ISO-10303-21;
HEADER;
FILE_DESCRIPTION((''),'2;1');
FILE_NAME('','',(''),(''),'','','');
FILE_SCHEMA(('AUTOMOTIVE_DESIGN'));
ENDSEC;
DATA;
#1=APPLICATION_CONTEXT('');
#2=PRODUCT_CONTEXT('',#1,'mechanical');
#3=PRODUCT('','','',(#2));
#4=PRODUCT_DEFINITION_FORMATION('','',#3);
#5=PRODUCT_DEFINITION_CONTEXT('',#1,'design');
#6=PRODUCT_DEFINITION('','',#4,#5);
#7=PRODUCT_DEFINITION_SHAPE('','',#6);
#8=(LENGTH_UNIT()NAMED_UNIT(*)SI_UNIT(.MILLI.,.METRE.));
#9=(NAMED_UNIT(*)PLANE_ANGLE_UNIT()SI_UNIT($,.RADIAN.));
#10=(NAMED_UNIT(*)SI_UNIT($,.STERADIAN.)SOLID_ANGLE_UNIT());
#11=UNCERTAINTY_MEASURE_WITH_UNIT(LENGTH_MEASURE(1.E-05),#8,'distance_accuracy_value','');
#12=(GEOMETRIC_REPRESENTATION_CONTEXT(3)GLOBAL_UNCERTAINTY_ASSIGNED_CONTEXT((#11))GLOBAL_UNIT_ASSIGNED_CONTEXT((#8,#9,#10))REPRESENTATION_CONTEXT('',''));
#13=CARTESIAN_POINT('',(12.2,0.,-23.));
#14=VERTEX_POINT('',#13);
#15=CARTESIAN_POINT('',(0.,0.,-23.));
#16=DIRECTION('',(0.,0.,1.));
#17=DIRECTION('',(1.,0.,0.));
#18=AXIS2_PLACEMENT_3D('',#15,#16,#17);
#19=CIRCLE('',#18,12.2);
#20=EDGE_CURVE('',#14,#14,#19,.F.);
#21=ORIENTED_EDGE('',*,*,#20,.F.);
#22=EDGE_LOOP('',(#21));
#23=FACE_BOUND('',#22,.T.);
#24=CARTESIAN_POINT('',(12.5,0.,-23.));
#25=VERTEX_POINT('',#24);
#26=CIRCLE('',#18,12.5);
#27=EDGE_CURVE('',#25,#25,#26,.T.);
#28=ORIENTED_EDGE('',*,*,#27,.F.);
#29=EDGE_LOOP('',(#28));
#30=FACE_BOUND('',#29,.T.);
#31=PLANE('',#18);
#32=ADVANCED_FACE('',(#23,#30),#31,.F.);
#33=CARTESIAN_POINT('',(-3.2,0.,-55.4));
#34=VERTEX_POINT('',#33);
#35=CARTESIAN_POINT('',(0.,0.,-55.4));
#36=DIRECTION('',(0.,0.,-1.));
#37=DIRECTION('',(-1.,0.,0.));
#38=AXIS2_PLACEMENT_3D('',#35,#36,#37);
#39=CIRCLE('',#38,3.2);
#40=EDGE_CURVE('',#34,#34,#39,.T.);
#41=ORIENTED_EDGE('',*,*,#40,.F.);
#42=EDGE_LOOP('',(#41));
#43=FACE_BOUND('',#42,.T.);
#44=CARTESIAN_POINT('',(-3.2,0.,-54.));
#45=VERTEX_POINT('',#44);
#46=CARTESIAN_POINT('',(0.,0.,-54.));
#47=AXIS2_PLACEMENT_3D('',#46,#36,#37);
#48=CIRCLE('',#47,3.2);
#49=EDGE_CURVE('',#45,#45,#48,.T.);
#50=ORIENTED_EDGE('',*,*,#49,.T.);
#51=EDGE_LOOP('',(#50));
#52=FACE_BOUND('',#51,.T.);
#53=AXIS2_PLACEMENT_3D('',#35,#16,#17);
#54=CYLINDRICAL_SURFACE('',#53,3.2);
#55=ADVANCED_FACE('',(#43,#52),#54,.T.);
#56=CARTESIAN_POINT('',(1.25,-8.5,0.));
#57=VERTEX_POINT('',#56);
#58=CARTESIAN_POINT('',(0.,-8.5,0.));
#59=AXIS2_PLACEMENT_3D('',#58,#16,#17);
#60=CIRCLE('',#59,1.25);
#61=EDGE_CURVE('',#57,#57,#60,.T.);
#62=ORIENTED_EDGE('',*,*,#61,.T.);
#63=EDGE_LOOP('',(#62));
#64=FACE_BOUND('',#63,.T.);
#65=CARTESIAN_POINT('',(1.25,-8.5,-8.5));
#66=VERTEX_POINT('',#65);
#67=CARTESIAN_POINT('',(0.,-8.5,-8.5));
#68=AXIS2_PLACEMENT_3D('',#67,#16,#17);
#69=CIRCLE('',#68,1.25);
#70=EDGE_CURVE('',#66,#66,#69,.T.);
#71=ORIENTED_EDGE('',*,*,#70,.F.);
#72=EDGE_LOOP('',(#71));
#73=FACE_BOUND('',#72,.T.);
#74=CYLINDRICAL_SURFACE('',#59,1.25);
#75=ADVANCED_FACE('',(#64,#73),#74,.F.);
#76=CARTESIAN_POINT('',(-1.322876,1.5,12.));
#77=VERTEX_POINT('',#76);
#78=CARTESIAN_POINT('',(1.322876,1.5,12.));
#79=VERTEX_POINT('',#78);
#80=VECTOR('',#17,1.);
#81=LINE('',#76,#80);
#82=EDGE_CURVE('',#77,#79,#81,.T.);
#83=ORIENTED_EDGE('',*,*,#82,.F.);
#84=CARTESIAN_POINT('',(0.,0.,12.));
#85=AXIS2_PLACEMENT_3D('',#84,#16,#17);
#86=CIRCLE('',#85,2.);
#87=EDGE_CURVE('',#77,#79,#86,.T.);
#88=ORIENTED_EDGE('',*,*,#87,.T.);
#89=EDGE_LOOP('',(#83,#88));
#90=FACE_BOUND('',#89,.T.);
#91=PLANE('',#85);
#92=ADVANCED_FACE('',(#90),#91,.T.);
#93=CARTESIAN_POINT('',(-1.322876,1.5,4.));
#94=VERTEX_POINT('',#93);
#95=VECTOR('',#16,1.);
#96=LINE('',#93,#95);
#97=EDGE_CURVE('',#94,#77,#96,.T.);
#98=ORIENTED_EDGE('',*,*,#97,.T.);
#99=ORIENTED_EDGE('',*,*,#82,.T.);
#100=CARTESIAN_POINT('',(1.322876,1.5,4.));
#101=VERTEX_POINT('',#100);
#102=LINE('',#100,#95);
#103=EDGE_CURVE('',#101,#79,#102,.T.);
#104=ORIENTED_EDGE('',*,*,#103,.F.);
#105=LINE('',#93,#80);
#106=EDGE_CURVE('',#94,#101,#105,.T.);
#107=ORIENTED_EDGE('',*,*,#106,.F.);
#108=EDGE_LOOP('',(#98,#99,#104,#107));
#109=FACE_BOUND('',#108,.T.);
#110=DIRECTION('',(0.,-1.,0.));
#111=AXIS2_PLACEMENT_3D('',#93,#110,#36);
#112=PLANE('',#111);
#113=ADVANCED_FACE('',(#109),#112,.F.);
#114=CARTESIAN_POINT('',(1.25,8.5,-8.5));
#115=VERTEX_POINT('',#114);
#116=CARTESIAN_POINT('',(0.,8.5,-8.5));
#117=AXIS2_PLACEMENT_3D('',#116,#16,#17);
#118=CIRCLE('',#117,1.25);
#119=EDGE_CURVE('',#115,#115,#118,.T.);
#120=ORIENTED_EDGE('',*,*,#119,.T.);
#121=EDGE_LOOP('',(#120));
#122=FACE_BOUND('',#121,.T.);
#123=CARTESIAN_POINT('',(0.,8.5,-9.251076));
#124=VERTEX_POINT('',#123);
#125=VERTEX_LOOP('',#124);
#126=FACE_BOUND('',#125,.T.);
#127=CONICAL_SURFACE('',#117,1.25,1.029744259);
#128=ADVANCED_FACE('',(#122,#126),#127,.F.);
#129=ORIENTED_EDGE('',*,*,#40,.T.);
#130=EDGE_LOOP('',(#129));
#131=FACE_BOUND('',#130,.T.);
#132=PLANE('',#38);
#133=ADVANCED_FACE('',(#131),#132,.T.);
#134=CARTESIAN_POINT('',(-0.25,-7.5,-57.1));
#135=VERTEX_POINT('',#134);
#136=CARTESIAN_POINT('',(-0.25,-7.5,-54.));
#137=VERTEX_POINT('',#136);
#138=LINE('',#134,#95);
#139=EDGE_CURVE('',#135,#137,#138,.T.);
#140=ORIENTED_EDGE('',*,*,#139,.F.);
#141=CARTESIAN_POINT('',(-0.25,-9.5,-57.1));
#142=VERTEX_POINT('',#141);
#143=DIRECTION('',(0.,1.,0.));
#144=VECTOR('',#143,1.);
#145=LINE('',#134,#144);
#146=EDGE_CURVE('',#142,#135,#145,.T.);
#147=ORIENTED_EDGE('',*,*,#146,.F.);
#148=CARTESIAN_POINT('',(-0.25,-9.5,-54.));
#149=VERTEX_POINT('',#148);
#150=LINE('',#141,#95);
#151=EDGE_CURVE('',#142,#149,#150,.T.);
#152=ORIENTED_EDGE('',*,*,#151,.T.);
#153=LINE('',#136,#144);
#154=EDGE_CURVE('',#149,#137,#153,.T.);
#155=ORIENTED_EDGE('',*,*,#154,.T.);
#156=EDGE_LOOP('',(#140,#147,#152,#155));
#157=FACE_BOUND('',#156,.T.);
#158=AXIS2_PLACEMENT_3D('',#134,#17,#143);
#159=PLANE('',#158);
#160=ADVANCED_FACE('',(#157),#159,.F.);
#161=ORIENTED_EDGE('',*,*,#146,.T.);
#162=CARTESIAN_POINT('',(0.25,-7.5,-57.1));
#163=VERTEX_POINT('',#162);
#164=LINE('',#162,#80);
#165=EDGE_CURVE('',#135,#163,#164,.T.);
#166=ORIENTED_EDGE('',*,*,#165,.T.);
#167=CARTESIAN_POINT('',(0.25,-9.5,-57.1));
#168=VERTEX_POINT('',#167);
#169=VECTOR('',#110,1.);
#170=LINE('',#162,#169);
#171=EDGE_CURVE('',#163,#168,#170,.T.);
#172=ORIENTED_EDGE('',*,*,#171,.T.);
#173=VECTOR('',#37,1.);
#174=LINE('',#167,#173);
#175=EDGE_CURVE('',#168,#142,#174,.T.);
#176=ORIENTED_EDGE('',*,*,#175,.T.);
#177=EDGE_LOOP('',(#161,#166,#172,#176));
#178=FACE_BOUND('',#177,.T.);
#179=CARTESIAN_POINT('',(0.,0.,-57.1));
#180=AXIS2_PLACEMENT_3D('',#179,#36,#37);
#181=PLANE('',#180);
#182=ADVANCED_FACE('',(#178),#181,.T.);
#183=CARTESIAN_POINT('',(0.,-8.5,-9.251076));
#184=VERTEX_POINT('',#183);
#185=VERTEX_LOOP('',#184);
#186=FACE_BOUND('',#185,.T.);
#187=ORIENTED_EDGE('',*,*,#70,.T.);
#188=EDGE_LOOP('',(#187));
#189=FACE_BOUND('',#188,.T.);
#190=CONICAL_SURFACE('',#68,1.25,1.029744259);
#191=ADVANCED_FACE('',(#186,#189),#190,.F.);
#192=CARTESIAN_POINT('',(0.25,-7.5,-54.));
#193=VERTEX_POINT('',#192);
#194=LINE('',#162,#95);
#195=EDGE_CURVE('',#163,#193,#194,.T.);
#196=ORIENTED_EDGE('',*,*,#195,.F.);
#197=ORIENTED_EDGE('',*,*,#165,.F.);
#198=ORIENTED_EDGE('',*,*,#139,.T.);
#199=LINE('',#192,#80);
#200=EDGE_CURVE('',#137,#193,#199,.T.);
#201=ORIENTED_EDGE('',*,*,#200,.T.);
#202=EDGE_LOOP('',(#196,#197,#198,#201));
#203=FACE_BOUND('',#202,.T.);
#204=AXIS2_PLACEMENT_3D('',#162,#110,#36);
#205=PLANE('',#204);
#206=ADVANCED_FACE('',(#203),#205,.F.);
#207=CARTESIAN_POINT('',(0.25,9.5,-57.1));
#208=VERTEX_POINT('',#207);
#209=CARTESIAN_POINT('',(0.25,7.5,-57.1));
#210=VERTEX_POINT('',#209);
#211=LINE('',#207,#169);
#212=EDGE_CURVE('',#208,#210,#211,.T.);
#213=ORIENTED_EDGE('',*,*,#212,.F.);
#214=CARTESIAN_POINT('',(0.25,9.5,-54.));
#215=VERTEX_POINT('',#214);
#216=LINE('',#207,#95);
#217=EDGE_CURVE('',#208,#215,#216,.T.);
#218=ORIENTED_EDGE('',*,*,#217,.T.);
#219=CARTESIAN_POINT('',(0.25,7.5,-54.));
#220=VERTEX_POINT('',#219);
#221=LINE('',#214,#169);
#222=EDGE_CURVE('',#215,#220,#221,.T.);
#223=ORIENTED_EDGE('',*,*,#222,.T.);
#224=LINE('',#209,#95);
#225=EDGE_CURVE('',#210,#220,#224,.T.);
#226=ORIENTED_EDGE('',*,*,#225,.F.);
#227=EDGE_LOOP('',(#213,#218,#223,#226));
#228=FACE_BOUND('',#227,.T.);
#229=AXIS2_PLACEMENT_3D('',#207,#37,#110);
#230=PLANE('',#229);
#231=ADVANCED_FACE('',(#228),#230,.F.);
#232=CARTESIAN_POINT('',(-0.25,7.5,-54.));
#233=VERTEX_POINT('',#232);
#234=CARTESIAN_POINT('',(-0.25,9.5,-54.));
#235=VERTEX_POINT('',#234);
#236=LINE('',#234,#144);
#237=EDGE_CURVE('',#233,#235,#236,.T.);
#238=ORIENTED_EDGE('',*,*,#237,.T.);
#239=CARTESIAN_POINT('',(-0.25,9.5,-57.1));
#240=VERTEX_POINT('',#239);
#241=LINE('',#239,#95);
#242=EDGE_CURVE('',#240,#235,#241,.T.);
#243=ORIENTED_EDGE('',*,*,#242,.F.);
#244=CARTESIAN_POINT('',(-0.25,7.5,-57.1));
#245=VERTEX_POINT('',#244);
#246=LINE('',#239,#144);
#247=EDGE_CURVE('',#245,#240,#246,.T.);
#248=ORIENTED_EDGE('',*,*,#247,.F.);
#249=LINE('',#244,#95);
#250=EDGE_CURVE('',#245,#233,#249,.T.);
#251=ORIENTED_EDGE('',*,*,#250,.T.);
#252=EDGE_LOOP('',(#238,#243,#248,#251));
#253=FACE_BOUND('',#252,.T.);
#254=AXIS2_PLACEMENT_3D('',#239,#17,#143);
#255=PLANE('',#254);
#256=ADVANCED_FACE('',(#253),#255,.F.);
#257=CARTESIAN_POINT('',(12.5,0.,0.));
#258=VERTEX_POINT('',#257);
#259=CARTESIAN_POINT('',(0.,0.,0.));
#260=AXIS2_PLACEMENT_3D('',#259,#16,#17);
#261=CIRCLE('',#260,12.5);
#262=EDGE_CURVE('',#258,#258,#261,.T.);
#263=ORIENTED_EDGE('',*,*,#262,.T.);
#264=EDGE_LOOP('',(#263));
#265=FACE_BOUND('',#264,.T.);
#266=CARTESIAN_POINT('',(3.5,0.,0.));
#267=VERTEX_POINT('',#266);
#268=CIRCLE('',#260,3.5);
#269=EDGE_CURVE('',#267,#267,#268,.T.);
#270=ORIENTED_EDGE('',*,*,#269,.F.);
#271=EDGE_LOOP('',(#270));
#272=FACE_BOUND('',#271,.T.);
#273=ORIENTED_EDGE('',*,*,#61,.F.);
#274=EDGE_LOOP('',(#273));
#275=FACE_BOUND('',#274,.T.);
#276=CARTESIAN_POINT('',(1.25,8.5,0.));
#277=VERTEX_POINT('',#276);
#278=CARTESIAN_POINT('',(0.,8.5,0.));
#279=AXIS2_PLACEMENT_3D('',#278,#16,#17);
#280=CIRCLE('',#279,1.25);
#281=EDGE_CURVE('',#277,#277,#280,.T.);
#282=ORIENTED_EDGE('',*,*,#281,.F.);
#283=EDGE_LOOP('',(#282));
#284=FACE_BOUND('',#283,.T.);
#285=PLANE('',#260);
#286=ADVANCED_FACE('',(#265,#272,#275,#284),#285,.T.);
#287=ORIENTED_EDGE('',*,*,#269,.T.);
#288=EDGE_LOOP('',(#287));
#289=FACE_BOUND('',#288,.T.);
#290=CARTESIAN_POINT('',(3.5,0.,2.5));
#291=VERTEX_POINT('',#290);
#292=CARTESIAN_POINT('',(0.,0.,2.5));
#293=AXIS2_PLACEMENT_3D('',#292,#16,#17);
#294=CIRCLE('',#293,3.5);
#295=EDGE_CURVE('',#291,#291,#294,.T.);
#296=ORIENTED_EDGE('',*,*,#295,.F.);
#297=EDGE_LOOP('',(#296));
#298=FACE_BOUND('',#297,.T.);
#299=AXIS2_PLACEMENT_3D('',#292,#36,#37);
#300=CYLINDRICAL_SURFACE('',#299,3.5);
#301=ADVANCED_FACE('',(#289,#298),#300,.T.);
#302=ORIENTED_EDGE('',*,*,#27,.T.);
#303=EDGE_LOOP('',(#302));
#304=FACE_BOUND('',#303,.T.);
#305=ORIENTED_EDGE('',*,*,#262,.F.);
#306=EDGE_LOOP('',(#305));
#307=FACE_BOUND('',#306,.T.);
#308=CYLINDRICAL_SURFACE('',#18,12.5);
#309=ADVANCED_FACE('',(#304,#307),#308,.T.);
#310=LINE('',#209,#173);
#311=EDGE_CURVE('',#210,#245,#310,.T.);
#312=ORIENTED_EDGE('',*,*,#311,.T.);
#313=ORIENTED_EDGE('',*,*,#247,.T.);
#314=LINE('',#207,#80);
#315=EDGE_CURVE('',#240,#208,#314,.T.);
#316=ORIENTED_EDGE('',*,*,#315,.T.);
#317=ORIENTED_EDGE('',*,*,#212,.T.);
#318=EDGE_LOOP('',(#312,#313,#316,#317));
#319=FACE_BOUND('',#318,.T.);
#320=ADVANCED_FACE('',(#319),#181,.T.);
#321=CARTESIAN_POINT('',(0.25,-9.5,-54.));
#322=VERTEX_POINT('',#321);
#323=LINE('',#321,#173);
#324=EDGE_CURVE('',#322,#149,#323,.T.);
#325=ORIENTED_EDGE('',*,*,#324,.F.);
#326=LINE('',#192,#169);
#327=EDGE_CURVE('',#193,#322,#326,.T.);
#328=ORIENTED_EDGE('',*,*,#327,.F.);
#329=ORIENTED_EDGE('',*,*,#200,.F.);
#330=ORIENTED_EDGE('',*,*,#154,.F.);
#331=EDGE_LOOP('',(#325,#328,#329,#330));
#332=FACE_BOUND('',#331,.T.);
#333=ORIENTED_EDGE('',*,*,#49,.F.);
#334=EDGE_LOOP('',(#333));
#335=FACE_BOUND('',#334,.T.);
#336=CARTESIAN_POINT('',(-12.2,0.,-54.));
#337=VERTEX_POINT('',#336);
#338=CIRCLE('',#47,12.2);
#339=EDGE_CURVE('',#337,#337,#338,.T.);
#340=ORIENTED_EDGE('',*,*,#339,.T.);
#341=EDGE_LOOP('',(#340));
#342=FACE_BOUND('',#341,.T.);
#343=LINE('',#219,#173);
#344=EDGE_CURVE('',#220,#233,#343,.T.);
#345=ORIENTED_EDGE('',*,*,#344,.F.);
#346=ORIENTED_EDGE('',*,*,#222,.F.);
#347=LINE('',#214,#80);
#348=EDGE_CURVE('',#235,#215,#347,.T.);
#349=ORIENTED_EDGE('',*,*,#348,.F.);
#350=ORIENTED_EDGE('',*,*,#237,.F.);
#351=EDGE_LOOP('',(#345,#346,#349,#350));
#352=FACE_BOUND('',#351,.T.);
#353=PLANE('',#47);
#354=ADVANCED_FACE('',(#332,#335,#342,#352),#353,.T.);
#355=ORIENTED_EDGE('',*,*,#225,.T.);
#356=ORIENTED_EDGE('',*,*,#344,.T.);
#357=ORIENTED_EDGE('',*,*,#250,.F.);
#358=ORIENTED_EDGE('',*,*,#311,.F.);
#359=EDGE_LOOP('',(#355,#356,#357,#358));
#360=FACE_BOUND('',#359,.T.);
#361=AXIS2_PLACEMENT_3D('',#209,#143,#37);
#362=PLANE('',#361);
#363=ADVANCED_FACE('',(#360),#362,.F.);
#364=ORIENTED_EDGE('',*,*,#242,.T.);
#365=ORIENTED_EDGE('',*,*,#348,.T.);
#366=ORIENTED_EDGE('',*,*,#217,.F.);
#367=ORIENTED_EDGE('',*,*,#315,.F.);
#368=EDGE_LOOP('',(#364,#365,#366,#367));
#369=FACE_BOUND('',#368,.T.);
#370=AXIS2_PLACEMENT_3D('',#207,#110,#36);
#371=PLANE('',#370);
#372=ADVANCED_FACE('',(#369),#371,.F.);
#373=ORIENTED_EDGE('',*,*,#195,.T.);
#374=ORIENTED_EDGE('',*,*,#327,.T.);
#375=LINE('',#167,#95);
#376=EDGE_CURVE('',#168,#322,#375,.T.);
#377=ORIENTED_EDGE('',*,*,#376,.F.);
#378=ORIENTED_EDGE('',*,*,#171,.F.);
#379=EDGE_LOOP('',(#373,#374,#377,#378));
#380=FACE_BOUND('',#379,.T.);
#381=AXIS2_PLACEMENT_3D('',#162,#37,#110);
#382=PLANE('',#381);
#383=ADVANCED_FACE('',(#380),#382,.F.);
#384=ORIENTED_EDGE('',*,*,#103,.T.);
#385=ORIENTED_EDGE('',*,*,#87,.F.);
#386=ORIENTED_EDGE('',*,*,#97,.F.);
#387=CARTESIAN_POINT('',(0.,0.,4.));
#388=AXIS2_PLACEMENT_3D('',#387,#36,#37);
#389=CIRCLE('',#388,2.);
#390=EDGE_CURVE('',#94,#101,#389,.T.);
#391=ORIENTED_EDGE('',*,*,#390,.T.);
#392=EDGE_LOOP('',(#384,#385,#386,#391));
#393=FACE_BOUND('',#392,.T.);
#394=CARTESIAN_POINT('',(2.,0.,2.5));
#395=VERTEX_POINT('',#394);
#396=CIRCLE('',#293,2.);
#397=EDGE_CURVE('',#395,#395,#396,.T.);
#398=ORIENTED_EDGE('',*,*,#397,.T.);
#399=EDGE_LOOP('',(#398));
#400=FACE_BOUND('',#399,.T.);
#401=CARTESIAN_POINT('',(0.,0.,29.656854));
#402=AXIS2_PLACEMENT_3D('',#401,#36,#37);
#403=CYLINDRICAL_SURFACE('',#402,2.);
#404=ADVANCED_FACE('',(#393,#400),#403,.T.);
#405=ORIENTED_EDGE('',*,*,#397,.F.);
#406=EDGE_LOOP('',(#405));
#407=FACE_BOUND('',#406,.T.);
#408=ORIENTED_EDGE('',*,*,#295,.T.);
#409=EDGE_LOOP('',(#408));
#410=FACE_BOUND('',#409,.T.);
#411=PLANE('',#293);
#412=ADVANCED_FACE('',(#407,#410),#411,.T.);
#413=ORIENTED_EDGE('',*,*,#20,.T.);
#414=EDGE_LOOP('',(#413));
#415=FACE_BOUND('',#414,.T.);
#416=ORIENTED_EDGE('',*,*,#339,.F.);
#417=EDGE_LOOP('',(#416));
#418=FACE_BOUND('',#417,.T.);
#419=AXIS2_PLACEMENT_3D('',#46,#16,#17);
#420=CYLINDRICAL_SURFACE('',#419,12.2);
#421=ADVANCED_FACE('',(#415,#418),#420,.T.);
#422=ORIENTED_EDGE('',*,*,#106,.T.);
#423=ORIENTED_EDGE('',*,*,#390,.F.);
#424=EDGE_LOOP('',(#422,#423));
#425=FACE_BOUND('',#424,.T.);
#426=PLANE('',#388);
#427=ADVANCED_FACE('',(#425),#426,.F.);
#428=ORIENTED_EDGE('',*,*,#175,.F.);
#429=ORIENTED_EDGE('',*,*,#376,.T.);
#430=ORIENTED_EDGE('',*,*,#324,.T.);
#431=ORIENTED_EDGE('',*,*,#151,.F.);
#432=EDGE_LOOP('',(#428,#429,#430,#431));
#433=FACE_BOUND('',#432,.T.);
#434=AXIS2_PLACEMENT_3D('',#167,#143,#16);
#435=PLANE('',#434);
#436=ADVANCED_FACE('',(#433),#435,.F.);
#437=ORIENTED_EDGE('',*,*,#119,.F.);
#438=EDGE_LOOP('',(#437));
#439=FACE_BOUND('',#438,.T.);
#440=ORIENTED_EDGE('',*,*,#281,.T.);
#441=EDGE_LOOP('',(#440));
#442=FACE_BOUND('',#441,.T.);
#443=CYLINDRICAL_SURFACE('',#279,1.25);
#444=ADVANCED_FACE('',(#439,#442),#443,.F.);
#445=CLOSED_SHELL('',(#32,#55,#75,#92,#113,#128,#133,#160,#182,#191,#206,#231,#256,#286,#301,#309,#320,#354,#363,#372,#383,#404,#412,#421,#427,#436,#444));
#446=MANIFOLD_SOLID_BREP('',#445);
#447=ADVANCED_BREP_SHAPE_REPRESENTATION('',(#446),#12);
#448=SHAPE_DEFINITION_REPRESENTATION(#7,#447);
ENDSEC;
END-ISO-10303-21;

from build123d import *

# Parameters (mm, degrees)
SKETCH1_R             = 12.5
BOSS_EXTRUDE1_DEPTH   = 23
SKETCH2_R             = 3.5
BOSS_EXTRUDE2_DEPTH   = 2.5
SKETCH3_R             = 2
BOSS_EXTRUDE4_DEPTH   = 9.5
SKETCH4_W             = 2.645751312
SKETCH4_H             = 0.5
CUT_EXTRUDE1_DEPTH    = 8
SKETCH5_R             = 12.2
BOSS_EXTRUDE5_DEPTH   = 31
SKETCH6_R             = 3.2
BOSS_EXTRUDE6_DEPTH   = 1.4
SKETCH7_W             = 0.5
SKETCH7_H             = 2
BOSS_EXTRUDE7_DEPTH   = 3.1
M3_TAPPED_HOLE1_D     = 2.5
M3_TAPPED_HOLE1_DEPTH = 8.5
M3_TAPPED_HOLE1_TIP   = 0.751075774


with BuildPart() as part:
    # Sketch1 → Boss-Extrude1 (new body)
    with BuildSketch(Plane.XY):
        Circle(SKETCH1_R)
    extrude(amount=-BOSS_EXTRUDE1_DEPTH)

    # Sketch2 → Boss-Extrude2 (add)
    with BuildSketch(Plane.XY):
        Circle(SKETCH2_R)
    extrude(amount=BOSS_EXTRUDE2_DEPTH)

    # Sketch3 → Boss-Extrude4 (add)
    with BuildSketch(Plane.XY.offset(2.5)):
        Circle(SKETCH3_R)
    extrude(amount=BOSS_EXTRUDE4_DEPTH)

    # Sketch4 → Cut-Extrude1 (cut)
    with BuildSketch(Plane.XY.offset(12)):
        with Locations((0, 1.75)):
            Rectangle(SKETCH4_W, SKETCH4_H)
    extrude(amount=-CUT_EXTRUDE1_DEPTH, mode=Mode.SUBTRACT)

    # Sketch5 → Boss-Extrude5 (add)
    with BuildSketch(Plane(origin=(0, 0, -23), x_dir=(-1, 0, 0), z_dir=(0, 0, -1))):
        with Locations(Location((0, 0, 0), (0, 0, 180))):
            Circle(SKETCH5_R)
    extrude(amount=BOSS_EXTRUDE5_DEPTH)

    # Sketch6 → Boss-Extrude6 (add)
    with BuildSketch(Plane(origin=(0, 0, -54), x_dir=(-1, 0, 0), z_dir=(0, 0, -1))):
        Circle(SKETCH6_R)
    extrude(amount=BOSS_EXTRUDE6_DEPTH)

    # Sketch7 → Boss-Extrude7 (add)
    with BuildSketch(Plane(origin=(0, 0, -54), x_dir=(-1, 0, 0), z_dir=(0, 0, -1))):
        with Locations((0, 8.5)):
            Rectangle(SKETCH7_W, SKETCH7_H)
        with Locations((0, -8.5)):
            Rectangle(SKETCH7_W, SKETCH7_H)
    extrude(amount=BOSS_EXTRUDE7_DEPTH)

    # M3 Tapped Hole1
    with Locations(Plane.XY):
        with Locations((0, 8.5), (0, -8.5)):
            Hole(M3_TAPPED_HOLE1_D / 2, depth=M3_TAPPED_HOLE1_DEPTH)
            with Locations((0, 0, -(M3_TAPPED_HOLE1_DEPTH + M3_TAPPED_HOLE1_TIP / 2))):  # 118° drill point
                Cone(0, M3_TAPPED_HOLE1_D / 2, M3_TAPPED_HOLE1_TIP, mode=Mode.SUBTRACT)


solid = part.part
